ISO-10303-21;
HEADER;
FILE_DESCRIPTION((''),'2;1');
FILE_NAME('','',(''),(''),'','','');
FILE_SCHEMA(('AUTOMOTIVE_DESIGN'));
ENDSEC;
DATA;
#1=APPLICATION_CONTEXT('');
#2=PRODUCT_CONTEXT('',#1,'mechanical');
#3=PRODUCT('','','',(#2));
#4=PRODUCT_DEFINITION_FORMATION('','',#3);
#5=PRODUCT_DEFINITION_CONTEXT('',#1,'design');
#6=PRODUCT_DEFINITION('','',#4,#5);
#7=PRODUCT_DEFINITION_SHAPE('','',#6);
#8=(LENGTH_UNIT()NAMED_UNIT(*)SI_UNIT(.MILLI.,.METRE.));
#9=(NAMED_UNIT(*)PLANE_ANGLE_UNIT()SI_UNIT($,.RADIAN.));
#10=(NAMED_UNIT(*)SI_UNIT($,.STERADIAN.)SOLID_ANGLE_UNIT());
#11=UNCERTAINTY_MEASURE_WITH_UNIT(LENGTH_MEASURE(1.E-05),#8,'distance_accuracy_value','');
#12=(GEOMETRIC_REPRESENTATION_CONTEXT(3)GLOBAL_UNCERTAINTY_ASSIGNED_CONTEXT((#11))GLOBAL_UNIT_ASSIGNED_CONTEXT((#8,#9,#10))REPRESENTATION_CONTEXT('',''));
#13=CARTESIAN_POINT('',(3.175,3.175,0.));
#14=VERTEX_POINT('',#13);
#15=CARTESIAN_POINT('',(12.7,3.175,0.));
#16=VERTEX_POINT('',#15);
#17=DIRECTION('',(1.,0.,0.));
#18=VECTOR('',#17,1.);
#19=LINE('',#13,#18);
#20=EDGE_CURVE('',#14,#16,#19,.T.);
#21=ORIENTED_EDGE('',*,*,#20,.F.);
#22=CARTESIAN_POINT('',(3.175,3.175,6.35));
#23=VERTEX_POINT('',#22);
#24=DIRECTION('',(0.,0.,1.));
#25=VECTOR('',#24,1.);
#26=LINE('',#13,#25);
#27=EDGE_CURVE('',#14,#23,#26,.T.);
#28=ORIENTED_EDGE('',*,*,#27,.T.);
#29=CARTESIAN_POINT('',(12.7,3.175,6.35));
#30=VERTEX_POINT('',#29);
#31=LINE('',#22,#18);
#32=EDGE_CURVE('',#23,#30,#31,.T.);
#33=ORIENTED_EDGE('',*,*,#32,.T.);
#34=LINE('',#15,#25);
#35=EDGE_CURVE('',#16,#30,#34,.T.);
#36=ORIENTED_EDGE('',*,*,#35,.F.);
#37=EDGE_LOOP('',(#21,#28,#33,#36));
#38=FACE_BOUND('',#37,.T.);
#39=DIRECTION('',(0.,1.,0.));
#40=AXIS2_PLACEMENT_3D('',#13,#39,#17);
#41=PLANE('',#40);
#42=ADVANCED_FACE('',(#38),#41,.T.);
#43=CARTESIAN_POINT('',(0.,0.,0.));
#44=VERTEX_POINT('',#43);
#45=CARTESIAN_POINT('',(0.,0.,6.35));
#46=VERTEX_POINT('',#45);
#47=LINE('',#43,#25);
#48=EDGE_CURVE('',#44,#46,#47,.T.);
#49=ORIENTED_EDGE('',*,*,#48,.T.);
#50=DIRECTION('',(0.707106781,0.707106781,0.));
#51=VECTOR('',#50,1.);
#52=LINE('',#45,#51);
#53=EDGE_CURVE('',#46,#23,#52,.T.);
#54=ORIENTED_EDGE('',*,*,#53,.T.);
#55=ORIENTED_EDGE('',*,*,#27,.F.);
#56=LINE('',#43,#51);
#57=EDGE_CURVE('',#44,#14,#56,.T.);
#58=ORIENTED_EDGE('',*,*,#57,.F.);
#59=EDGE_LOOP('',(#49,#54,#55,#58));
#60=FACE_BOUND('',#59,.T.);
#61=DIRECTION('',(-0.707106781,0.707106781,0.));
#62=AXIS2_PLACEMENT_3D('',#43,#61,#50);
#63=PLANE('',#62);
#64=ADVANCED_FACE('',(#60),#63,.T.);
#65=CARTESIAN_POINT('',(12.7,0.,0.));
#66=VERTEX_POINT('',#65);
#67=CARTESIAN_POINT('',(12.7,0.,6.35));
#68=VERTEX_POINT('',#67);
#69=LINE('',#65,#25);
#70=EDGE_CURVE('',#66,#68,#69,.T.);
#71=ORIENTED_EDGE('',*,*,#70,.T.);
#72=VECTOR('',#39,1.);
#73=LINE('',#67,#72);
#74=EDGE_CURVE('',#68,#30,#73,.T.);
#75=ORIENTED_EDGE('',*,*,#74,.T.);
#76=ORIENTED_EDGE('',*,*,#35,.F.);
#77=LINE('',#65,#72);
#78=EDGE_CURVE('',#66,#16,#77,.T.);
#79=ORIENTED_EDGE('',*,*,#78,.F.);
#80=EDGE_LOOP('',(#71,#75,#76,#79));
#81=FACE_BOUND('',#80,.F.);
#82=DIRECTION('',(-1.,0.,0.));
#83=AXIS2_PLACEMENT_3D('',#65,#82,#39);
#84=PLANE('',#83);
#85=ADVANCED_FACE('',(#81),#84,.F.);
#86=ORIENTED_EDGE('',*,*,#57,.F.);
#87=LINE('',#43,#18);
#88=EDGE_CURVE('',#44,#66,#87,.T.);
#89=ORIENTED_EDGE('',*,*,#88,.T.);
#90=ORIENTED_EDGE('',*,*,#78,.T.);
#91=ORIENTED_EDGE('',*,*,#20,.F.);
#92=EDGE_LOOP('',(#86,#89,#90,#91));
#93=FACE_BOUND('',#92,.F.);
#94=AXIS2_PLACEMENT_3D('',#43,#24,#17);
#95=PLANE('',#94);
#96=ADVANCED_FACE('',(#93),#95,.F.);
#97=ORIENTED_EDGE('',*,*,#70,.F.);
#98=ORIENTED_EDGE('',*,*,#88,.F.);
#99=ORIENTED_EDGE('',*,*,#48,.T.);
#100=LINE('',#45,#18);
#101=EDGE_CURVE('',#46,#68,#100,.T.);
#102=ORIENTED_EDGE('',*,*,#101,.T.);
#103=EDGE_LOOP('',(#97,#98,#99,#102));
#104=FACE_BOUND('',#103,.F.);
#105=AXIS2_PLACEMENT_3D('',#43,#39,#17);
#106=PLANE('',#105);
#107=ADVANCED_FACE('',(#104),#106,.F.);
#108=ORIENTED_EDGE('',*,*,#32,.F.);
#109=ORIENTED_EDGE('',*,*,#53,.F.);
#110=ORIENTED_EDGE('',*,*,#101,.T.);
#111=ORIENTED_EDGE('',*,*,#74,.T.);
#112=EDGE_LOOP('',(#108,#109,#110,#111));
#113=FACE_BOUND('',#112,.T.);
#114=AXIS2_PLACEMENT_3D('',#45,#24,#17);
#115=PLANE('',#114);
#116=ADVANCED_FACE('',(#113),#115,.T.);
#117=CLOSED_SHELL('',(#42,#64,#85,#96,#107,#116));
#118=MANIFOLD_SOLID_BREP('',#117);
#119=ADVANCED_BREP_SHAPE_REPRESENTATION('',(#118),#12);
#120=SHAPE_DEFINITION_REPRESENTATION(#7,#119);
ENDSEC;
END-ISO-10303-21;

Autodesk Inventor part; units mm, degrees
ref_plane "YZ Plane" through (0, 0, 0) normal (1, 0, 0) x (0, 1, 0)
ref_plane "XZ Plane" through (0, 0, 0) normal (0, 1, 0) x (-1, 0, 0)
ref_plane "XY Plane" through (0, 0, 0) normal (0, 0, 1) x (1, 0, 0)
sketch "Sketch1" plane through (0, 0, 0) normal (0, 0, 1) x (1, 0, 0)
  line L0 (0, 0) -> (12.7, 0)
  line L1 (12.7, 0) -> (12.7, 3.175)
  line L2 (0, 0) -> (3.9751, 0) construction
  line L3 (0, 0) -> (3.175, 3.175)
  line L4 (0, 0) -> (4.4901, 0) construction
  line L5 (3.175, 3.175) -> (12.7, 3.175)
  dimension "d0" = 12.7
  dimension "d1" = 3.175
  dimension "d4" = 45
extrude "Extrusion2" add sketch "Sketch1" along normal blind 6.35
properties part number "chutebracketv2"
